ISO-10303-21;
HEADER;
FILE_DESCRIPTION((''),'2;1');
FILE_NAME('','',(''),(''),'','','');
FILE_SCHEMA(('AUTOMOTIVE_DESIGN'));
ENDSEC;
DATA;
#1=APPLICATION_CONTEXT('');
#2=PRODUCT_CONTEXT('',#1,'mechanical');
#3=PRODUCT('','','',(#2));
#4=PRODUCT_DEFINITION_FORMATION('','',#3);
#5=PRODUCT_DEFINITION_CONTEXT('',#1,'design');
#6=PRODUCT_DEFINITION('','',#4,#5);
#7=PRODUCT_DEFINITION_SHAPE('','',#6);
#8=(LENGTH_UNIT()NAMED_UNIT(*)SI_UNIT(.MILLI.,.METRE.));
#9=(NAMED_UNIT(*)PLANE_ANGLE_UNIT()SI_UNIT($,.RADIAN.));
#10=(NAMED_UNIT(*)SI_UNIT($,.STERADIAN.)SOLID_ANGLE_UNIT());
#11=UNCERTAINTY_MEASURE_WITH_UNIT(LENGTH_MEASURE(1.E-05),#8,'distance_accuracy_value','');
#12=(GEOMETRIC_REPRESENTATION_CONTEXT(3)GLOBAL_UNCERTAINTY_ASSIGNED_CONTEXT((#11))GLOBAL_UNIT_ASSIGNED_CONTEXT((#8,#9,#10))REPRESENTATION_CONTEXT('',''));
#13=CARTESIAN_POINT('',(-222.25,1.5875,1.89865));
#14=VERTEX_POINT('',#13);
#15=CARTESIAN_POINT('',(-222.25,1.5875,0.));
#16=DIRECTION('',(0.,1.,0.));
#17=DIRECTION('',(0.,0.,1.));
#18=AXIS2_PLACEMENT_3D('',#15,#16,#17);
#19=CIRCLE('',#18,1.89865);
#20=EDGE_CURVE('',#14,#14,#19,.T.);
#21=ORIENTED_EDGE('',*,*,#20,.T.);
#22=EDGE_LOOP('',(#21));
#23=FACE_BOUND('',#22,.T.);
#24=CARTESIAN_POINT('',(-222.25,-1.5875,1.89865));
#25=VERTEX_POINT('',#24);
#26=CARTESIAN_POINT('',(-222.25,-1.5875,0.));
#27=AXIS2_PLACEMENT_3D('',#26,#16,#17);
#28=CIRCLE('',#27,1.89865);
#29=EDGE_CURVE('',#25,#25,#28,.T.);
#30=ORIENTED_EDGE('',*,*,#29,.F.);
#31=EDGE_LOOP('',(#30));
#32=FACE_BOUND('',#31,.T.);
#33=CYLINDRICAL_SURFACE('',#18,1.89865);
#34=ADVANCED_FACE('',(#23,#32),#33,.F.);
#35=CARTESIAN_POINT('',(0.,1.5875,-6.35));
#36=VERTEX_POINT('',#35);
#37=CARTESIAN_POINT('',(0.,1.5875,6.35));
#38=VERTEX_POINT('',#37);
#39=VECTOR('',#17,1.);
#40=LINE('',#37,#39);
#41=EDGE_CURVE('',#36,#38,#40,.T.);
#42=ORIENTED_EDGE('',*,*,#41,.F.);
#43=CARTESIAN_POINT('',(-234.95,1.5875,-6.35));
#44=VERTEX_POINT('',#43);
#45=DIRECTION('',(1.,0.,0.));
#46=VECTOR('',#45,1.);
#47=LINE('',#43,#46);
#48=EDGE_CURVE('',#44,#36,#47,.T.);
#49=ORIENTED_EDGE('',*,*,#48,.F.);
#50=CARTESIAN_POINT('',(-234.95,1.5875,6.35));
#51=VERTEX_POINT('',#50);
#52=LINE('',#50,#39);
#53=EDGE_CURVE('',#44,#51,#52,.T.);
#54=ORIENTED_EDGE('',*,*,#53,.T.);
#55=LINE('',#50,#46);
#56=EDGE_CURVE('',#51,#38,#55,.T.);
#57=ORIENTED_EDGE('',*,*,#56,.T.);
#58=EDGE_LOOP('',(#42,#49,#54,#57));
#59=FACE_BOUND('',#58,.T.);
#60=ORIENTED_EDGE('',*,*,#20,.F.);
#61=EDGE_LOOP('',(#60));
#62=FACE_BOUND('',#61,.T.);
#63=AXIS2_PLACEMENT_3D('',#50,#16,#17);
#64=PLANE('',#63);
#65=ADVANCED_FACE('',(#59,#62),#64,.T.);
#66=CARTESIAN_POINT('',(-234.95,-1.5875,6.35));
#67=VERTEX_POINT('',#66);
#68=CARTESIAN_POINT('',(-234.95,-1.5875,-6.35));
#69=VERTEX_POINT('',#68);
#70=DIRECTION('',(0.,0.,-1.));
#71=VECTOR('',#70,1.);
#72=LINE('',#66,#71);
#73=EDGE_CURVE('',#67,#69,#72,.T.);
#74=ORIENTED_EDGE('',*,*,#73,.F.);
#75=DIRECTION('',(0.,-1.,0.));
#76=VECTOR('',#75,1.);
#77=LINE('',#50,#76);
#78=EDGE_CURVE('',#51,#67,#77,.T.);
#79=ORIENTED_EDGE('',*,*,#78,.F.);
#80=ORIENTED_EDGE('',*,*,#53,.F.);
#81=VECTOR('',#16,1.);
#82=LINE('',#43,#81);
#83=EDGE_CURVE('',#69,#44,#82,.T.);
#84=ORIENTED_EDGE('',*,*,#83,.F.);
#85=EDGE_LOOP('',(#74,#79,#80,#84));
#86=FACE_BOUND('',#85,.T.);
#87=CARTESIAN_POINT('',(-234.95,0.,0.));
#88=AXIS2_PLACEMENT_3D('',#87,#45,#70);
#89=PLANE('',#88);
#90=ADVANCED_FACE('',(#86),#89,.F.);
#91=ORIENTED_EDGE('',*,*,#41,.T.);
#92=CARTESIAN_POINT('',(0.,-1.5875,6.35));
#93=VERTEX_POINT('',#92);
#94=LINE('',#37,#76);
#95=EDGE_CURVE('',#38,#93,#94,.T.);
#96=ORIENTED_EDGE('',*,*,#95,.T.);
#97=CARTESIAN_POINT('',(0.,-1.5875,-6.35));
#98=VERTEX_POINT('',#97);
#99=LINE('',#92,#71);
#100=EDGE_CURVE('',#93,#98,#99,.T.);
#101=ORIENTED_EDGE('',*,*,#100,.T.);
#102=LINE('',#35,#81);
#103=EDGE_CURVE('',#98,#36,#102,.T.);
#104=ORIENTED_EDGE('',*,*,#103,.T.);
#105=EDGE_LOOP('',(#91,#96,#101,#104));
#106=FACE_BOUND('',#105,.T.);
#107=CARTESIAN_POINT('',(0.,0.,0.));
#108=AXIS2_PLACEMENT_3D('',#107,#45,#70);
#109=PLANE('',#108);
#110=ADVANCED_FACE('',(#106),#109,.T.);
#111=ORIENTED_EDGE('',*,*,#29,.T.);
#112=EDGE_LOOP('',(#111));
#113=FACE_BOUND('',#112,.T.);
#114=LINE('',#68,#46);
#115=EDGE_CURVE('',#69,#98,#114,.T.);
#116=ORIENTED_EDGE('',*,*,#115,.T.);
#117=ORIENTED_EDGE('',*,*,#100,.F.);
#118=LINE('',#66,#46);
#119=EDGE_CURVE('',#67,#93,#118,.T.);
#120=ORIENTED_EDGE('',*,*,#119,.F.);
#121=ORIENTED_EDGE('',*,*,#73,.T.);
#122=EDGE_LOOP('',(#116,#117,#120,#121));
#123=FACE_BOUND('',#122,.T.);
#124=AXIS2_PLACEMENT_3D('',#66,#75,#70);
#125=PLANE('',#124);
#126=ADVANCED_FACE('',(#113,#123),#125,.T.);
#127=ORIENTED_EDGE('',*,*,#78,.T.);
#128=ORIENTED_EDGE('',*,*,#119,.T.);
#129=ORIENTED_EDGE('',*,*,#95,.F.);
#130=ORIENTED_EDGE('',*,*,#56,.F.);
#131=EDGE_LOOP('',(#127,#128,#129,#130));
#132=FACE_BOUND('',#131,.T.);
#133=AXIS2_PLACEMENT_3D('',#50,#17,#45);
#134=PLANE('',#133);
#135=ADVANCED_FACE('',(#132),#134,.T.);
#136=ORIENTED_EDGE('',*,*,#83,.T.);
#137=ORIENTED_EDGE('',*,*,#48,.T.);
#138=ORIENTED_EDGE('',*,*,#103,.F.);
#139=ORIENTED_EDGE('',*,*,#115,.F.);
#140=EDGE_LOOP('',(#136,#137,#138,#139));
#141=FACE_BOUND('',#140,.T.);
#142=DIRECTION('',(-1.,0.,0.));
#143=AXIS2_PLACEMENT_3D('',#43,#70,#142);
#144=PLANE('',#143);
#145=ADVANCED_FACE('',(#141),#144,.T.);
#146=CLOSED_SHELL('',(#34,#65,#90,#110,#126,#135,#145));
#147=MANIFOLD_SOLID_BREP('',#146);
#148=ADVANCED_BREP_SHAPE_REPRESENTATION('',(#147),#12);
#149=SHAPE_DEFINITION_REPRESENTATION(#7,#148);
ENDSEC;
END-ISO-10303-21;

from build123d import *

# Parameters (mm, degrees)
SKETCH1_W             = 12.7
SKETCH1_H             = 3.175
BOSS_EXTRUDE1_DEPTH   = 234.95
F_6_CLEARANCE_HOLE1_D = 3.7973


with BuildPart() as part:
    # Sketch1 → Boss-Extrude1 (new body)
    with BuildSketch(Plane(origin=(0, 0, 0), x_dir=(0, 0, -1), z_dir=(1, 0, 0))):
        Rectangle(SKETCH1_W, SKETCH1_H)
    extrude(amount=-BOSS_EXTRUDE1_DEPTH)

    # #6 Clearance Hole1 (through all)
    with Locations(Plane(origin=(0, 1.5875, 0), x_dir=(1, 0, 0), z_dir=(0, 1, 0))):
        with Locations((-222.25, 0)):
            Hole(F_6_CLEARANCE_HOLE1_D / 2)


solid = part.part
